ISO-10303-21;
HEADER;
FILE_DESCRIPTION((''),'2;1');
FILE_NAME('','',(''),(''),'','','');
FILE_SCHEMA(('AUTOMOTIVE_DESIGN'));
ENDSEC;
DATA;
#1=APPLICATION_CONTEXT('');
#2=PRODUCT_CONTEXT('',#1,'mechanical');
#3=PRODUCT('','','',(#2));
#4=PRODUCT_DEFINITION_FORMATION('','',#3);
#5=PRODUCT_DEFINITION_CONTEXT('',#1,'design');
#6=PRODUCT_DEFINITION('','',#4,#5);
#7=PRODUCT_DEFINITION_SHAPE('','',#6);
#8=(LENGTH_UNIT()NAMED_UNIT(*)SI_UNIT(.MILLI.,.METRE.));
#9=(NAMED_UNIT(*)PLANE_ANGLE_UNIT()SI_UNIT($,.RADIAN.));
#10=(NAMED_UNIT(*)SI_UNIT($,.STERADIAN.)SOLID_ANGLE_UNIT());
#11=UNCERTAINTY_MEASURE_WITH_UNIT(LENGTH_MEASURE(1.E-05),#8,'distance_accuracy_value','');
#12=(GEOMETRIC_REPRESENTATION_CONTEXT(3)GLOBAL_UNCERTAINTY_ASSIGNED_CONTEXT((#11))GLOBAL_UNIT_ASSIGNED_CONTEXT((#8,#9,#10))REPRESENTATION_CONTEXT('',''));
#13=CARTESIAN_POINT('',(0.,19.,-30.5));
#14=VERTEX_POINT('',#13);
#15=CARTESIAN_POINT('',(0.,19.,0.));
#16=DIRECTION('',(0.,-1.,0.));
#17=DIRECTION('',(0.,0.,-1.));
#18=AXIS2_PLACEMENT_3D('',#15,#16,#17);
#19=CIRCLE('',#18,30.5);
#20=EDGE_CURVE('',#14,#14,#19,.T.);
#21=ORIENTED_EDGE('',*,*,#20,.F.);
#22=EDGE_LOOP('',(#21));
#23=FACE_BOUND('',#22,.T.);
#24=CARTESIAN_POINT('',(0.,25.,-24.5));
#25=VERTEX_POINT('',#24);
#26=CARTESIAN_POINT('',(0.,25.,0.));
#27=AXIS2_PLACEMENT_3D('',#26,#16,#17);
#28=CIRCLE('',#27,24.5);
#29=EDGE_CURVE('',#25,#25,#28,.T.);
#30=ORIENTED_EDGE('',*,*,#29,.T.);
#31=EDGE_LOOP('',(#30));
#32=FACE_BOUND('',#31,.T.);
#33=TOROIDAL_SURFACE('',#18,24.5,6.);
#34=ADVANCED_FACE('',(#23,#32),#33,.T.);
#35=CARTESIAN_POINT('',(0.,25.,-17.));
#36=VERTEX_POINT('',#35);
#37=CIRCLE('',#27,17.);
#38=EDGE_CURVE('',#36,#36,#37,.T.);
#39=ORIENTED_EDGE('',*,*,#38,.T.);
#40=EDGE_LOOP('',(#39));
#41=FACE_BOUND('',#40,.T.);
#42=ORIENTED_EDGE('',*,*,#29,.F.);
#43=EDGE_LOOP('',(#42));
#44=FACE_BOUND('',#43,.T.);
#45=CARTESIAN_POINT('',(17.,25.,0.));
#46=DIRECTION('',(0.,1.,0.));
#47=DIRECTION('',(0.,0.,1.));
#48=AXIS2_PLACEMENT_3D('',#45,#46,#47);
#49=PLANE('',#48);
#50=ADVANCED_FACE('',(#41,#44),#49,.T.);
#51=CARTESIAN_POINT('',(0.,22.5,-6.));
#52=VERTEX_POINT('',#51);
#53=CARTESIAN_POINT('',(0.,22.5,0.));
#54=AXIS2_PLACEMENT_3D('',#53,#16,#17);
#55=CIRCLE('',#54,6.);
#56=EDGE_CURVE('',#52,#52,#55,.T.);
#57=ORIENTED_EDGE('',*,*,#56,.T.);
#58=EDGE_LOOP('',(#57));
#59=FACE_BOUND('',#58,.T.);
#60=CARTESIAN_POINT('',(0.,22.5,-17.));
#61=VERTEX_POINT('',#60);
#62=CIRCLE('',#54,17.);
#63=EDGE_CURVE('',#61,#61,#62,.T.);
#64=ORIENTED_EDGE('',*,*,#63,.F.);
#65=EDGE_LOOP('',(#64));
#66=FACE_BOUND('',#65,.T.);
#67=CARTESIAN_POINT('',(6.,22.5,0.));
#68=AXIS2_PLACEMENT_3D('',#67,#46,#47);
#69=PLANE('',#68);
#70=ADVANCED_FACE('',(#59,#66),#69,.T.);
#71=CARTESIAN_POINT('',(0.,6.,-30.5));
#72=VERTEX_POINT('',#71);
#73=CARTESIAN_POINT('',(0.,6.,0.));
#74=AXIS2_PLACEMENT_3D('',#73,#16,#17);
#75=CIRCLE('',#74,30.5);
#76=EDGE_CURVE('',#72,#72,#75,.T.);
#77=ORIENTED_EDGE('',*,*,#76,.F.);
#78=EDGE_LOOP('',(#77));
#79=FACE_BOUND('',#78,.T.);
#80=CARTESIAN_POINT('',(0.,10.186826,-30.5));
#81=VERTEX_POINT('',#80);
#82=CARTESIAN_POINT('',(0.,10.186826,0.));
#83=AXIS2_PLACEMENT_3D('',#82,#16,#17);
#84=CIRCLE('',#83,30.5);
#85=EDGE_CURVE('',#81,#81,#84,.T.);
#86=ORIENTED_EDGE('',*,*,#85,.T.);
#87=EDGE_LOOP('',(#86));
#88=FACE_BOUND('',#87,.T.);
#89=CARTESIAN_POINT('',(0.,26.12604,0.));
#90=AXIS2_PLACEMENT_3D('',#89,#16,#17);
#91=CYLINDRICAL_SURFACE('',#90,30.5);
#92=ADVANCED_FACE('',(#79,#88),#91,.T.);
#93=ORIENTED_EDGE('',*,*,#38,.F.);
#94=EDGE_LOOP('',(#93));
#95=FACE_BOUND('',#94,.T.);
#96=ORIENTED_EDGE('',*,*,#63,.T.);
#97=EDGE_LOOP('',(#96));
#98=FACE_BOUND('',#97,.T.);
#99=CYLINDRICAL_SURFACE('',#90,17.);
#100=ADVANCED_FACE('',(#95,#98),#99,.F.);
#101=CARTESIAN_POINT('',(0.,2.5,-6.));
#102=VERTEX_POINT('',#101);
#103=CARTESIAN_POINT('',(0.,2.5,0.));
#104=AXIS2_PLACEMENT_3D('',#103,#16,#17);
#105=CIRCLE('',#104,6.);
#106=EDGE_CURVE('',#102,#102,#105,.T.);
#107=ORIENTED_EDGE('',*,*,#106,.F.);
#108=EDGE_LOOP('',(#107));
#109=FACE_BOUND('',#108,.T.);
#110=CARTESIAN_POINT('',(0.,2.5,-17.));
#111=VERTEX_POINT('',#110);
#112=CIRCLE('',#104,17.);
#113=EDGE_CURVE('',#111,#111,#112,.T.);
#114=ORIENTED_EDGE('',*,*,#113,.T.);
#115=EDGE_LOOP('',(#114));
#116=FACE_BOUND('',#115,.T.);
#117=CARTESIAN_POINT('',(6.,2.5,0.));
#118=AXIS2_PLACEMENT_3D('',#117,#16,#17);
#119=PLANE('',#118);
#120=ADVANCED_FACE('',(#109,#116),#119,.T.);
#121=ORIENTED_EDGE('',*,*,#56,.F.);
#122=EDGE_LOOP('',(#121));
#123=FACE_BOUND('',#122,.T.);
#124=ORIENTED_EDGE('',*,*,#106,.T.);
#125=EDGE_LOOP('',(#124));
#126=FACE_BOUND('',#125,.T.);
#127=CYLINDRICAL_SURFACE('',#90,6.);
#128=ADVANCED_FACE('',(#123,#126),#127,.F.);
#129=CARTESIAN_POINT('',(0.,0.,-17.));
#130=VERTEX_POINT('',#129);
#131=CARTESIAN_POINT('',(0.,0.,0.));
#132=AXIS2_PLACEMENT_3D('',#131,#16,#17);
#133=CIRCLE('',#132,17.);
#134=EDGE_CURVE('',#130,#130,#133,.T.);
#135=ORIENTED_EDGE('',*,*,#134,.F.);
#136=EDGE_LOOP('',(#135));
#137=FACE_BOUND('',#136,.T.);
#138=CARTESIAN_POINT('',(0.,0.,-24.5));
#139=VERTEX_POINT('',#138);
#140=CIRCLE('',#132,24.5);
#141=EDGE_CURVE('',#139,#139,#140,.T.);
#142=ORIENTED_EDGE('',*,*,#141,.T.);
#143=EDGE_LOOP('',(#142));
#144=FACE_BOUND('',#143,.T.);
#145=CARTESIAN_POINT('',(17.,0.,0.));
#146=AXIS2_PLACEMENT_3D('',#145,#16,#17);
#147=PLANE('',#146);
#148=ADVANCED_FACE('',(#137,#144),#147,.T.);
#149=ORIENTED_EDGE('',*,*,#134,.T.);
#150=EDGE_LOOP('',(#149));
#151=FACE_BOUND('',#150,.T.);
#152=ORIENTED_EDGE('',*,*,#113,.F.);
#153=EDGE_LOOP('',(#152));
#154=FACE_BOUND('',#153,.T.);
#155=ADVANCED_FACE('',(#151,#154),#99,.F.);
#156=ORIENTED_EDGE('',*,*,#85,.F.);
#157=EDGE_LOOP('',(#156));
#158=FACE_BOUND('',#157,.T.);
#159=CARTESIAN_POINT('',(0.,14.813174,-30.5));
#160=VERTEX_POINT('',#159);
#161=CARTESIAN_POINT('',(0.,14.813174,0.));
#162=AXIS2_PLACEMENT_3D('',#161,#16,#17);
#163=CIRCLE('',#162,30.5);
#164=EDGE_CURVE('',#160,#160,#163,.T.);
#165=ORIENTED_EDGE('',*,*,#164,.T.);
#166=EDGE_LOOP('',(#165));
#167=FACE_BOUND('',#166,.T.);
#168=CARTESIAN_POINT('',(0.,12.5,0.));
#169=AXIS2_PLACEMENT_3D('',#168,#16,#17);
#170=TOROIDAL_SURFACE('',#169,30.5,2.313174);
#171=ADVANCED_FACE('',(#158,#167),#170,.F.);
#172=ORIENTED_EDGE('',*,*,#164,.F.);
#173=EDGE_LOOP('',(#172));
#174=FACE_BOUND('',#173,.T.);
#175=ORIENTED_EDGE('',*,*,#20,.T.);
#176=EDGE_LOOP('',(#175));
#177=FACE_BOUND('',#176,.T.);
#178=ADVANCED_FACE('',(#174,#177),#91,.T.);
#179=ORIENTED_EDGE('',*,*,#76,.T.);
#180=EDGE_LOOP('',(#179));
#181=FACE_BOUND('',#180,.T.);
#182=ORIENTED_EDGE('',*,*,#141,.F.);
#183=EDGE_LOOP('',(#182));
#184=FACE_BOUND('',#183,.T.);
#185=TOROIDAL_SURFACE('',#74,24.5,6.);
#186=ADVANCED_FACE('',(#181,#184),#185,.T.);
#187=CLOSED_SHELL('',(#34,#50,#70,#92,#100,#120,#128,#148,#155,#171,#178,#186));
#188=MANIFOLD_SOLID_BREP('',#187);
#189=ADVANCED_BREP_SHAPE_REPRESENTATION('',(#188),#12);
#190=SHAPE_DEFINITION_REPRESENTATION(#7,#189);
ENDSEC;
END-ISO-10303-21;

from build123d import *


with BuildPart() as part:
    # Эскиз1 → Повернуть1 (revolve)
    with BuildSketch(Plane.XY, mode=Mode.PRIVATE) as revolve_1_sk:
        with BuildLine():
            Line((17, 0), (24.5, 0))
            ThreePointArc((24.5, 0), (28.742640687, 1.757359313), (30.5, 6))
            Line((30.5, 6), (30.5, 10.186825835))
            ThreePointArc((30.5, 10.186825835), (28.186825835, 12.5), (30.5, 14.813174165))
            Line((30.5, 14.813174165), (30.5, 19))
            ThreePointArc((30.5, 19), (28.742640687, 23.242640687), (24.5, 25))
            Line((24.5, 25), (17, 25))
            Line((17, 25), (17, 22.5))
            Line((17, 22.5), (6, 22.5))
            Line((6, 22.5), (6, 2.5))
            Line((6, 2.5), (17, 2.5))
            Line((17, 2.5), (17, 0))
        make_face()
    revolve(revolve_1_sk.sketch.rotate(Axis((0, 26.126040174, 0), (0, 1, 0)), 90), axis=Axis((0, 26.126040174, 0), (0, 1, 0)))


solid = part.part
